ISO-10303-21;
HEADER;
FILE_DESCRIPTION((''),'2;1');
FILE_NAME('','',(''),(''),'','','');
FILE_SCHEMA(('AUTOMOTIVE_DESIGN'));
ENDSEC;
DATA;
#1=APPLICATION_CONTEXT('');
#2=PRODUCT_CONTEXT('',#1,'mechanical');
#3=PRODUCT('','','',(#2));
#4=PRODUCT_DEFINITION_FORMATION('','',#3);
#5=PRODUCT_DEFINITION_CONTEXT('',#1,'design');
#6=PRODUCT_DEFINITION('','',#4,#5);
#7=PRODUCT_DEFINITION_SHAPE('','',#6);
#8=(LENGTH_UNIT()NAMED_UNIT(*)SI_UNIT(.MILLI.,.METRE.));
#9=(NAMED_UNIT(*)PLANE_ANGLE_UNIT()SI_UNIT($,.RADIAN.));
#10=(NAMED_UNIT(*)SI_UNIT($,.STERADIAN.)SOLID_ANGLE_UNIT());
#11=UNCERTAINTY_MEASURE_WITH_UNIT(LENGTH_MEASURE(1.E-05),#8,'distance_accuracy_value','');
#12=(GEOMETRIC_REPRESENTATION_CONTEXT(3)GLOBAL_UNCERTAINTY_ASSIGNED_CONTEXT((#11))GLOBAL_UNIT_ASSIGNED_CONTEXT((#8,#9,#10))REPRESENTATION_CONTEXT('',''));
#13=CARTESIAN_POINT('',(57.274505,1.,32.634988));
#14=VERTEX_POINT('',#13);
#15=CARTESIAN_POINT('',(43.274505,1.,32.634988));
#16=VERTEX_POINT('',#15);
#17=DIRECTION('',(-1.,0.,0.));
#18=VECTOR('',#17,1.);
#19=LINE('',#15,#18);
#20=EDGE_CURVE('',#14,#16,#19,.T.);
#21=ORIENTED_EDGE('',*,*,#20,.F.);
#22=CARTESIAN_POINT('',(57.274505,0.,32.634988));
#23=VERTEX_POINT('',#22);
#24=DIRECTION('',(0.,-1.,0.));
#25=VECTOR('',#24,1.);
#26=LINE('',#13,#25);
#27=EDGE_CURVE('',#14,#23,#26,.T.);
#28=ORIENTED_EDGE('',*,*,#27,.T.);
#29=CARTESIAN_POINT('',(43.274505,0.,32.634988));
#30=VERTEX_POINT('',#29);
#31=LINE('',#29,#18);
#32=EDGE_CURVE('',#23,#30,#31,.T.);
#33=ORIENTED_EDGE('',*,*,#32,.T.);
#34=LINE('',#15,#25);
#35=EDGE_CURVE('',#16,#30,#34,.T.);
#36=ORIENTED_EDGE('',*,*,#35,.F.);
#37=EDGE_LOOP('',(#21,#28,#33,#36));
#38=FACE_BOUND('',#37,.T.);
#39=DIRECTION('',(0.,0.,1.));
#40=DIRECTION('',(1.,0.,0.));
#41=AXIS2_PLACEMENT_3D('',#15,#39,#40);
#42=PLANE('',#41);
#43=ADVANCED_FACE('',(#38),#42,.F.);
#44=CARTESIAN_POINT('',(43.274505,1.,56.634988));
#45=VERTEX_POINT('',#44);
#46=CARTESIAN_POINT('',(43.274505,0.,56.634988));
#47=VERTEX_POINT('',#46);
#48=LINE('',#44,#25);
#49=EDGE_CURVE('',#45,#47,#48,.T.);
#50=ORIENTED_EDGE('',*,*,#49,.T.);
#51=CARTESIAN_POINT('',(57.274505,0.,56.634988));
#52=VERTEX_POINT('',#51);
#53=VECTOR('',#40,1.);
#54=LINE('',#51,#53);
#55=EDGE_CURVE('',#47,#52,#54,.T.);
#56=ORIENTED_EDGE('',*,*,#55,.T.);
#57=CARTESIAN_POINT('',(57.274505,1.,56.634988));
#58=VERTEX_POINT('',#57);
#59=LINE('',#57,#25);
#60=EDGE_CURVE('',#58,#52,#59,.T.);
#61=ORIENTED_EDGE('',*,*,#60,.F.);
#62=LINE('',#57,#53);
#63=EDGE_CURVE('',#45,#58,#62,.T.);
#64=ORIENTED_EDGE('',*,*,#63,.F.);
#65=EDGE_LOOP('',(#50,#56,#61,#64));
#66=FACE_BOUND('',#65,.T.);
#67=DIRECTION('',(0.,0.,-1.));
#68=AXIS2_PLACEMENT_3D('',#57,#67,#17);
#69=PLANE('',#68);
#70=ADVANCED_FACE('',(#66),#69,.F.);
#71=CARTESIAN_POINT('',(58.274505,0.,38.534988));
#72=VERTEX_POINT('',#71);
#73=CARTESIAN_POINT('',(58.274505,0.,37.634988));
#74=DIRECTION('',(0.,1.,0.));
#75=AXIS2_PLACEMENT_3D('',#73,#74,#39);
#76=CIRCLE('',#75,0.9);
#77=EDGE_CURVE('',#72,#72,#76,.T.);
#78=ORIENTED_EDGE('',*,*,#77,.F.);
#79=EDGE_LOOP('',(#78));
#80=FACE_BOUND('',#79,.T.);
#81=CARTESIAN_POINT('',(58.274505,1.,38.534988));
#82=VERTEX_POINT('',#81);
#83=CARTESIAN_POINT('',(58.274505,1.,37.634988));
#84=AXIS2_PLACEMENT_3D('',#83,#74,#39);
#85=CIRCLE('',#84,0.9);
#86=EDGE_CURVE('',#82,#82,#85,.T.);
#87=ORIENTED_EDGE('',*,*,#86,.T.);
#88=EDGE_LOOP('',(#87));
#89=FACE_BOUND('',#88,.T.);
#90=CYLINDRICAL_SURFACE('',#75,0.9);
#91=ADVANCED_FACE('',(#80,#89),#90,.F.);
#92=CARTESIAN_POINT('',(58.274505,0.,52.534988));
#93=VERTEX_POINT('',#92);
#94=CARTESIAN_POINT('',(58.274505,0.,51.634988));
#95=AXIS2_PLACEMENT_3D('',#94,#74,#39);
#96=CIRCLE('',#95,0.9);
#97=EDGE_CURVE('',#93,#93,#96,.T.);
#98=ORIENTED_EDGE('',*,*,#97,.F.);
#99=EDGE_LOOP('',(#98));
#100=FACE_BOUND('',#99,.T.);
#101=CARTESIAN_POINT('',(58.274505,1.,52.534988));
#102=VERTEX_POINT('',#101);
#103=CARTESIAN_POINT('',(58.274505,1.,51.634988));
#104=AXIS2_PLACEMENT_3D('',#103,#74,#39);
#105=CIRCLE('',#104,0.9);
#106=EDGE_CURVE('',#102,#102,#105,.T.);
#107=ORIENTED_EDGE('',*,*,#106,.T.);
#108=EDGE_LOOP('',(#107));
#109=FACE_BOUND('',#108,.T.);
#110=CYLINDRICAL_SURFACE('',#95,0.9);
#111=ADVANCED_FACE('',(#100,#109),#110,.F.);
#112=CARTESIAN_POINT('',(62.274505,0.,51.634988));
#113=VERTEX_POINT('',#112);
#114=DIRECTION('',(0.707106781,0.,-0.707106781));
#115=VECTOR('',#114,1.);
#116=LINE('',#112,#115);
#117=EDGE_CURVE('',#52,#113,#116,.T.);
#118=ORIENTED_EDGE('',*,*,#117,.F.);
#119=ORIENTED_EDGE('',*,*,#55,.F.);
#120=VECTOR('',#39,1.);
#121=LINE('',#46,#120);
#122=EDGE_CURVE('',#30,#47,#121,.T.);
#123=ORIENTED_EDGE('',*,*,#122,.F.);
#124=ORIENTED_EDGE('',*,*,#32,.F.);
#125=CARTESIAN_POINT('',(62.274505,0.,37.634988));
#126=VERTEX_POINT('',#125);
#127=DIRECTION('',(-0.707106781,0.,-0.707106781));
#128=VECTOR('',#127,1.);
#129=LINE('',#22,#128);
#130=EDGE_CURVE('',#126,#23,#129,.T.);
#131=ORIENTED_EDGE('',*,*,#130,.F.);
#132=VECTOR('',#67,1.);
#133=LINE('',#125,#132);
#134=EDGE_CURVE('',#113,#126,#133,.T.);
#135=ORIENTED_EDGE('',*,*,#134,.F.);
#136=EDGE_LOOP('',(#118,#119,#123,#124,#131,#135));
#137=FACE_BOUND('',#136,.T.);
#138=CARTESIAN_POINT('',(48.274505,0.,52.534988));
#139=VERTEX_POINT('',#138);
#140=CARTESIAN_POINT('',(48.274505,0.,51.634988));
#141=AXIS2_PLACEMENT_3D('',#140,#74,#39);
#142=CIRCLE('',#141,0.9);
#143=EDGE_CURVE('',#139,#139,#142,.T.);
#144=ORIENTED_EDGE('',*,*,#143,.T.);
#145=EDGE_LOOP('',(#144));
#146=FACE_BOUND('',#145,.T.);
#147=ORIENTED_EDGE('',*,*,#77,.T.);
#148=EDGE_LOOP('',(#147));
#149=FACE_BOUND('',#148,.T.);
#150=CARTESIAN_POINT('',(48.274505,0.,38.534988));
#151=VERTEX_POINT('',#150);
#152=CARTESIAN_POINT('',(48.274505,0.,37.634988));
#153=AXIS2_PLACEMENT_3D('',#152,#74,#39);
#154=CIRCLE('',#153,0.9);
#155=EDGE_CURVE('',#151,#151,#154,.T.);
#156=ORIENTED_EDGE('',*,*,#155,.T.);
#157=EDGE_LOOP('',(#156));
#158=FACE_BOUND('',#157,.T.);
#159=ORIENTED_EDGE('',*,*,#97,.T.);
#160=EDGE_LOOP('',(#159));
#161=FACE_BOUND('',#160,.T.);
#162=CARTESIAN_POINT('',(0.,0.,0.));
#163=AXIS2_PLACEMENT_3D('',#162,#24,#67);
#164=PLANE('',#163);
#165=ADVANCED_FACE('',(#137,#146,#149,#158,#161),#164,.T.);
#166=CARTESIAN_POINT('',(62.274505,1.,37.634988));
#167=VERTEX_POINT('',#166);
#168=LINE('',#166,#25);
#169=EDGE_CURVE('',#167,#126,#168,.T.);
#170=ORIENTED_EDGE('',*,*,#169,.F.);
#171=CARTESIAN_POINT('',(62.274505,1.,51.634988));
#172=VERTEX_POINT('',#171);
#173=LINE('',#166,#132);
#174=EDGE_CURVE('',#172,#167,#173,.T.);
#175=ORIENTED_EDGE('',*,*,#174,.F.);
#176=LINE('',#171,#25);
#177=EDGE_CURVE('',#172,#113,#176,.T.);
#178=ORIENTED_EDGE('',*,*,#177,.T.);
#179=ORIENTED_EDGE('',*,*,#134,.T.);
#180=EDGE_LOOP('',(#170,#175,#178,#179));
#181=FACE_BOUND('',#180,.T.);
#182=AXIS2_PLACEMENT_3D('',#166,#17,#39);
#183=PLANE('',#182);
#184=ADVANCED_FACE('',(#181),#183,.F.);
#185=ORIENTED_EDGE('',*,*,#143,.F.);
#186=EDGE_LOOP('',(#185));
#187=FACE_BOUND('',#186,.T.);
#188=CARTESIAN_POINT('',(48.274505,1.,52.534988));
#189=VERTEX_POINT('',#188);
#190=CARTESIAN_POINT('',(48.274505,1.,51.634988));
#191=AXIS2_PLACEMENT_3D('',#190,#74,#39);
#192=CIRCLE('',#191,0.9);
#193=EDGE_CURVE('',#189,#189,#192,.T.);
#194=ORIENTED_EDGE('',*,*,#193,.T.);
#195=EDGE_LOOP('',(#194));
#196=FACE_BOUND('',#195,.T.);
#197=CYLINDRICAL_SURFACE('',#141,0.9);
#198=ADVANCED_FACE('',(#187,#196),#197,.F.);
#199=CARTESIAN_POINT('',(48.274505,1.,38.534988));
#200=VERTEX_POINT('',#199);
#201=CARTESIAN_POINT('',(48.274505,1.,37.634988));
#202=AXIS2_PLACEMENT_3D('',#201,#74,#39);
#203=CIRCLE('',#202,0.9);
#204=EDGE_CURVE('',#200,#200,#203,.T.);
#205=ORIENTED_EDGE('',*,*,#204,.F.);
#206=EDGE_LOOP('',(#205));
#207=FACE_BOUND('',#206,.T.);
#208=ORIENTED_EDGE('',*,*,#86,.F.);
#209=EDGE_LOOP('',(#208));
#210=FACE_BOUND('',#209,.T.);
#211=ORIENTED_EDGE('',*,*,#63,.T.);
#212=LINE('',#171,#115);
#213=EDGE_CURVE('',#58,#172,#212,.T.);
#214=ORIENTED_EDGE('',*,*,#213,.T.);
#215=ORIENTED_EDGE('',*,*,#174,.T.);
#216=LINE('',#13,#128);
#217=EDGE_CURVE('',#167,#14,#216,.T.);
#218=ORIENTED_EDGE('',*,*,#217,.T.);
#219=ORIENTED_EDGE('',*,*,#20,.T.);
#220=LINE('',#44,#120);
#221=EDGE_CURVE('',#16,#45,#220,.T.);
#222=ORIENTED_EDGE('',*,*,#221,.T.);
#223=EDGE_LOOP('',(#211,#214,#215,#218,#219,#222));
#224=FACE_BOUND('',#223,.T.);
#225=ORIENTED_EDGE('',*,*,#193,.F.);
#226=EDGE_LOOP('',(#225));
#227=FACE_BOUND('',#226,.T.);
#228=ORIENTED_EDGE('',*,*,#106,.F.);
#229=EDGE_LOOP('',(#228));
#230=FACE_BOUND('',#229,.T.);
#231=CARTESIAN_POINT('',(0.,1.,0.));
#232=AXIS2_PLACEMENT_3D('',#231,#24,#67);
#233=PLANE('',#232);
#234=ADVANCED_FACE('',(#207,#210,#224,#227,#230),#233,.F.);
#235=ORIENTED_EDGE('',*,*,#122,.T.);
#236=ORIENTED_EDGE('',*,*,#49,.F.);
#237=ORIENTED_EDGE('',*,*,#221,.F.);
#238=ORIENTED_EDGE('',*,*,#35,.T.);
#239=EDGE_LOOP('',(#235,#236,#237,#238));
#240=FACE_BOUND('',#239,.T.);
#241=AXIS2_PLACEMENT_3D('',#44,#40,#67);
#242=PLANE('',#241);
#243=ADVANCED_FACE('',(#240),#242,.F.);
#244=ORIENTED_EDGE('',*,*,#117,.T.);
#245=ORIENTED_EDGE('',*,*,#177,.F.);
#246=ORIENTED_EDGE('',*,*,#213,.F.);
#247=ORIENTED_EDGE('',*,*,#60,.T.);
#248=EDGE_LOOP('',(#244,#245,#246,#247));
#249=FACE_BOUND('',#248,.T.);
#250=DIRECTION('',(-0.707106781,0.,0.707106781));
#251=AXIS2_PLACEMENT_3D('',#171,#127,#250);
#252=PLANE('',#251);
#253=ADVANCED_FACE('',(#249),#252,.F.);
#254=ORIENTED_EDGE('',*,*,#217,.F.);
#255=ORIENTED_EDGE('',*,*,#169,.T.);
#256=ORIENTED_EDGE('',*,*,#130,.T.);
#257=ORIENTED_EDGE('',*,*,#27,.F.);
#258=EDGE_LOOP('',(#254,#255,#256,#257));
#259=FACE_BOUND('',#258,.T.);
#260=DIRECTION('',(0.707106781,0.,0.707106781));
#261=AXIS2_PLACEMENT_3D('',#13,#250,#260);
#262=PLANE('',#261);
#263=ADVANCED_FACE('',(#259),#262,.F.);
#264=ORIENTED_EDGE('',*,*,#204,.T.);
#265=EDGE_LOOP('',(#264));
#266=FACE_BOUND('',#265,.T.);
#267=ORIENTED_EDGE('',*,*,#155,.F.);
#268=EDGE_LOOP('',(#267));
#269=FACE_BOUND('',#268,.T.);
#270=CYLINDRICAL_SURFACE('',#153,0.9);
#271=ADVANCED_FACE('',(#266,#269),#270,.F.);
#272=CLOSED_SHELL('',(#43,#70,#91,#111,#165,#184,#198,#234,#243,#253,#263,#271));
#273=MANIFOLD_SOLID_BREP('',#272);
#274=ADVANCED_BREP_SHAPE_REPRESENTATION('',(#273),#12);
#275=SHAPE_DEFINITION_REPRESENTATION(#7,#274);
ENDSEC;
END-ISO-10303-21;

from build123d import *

# Parameters (mm, degrees)
BOSS_EXTRUDE1_DEPTH = 1
SKETCH2_R           = 0.9
CUT_EXTRUDE1_DEPTH  = 85.182158204


with BuildPart() as part:
    # Sketch1 → Boss-Extrude1 (new body)
    with BuildSketch(Plane(origin=(0, 0, 0), x_dir=(1, 0, 0), z_dir=(0, 1, 0))):
        Polygon((43.27450468, -56.634987656), (43.27450468, -32.634987656), (57.27450468, -32.634987656), (62.27450468, -37.634987656), (62.27450468, -51.634987656), (57.27450468, -56.634987656), align=None)
    extrude(amount=BOSS_EXTRUDE1_DEPTH)

    # Sketch2 → Cut-Extrude1 (cut, through all)
    with BuildSketch(Plane(origin=(0, 1, 0), x_dir=(1, 0, 0), z_dir=(0, 1, 0))):
        with Locations(Location((58.27450468, -51.634987656, 0), (0, 0, 270))):
            Circle(SKETCH2_R)
        with Locations(Location((48.27450468, -51.634987656, 0), (0, 0, 270))):
            Circle(SKETCH2_R)
        with Locations(Location((48.27450468, -37.634987656, 0), (0, 0, 270))):
            Circle(SKETCH2_R)
        with Locations(Location((58.27450468, -37.634987656, 0), (0, 0, 270))):
            Circle(SKETCH2_R)
    extrude(amount=-CUT_EXTRUDE1_DEPTH, mode=Mode.SUBTRACT)


solid = part.part
